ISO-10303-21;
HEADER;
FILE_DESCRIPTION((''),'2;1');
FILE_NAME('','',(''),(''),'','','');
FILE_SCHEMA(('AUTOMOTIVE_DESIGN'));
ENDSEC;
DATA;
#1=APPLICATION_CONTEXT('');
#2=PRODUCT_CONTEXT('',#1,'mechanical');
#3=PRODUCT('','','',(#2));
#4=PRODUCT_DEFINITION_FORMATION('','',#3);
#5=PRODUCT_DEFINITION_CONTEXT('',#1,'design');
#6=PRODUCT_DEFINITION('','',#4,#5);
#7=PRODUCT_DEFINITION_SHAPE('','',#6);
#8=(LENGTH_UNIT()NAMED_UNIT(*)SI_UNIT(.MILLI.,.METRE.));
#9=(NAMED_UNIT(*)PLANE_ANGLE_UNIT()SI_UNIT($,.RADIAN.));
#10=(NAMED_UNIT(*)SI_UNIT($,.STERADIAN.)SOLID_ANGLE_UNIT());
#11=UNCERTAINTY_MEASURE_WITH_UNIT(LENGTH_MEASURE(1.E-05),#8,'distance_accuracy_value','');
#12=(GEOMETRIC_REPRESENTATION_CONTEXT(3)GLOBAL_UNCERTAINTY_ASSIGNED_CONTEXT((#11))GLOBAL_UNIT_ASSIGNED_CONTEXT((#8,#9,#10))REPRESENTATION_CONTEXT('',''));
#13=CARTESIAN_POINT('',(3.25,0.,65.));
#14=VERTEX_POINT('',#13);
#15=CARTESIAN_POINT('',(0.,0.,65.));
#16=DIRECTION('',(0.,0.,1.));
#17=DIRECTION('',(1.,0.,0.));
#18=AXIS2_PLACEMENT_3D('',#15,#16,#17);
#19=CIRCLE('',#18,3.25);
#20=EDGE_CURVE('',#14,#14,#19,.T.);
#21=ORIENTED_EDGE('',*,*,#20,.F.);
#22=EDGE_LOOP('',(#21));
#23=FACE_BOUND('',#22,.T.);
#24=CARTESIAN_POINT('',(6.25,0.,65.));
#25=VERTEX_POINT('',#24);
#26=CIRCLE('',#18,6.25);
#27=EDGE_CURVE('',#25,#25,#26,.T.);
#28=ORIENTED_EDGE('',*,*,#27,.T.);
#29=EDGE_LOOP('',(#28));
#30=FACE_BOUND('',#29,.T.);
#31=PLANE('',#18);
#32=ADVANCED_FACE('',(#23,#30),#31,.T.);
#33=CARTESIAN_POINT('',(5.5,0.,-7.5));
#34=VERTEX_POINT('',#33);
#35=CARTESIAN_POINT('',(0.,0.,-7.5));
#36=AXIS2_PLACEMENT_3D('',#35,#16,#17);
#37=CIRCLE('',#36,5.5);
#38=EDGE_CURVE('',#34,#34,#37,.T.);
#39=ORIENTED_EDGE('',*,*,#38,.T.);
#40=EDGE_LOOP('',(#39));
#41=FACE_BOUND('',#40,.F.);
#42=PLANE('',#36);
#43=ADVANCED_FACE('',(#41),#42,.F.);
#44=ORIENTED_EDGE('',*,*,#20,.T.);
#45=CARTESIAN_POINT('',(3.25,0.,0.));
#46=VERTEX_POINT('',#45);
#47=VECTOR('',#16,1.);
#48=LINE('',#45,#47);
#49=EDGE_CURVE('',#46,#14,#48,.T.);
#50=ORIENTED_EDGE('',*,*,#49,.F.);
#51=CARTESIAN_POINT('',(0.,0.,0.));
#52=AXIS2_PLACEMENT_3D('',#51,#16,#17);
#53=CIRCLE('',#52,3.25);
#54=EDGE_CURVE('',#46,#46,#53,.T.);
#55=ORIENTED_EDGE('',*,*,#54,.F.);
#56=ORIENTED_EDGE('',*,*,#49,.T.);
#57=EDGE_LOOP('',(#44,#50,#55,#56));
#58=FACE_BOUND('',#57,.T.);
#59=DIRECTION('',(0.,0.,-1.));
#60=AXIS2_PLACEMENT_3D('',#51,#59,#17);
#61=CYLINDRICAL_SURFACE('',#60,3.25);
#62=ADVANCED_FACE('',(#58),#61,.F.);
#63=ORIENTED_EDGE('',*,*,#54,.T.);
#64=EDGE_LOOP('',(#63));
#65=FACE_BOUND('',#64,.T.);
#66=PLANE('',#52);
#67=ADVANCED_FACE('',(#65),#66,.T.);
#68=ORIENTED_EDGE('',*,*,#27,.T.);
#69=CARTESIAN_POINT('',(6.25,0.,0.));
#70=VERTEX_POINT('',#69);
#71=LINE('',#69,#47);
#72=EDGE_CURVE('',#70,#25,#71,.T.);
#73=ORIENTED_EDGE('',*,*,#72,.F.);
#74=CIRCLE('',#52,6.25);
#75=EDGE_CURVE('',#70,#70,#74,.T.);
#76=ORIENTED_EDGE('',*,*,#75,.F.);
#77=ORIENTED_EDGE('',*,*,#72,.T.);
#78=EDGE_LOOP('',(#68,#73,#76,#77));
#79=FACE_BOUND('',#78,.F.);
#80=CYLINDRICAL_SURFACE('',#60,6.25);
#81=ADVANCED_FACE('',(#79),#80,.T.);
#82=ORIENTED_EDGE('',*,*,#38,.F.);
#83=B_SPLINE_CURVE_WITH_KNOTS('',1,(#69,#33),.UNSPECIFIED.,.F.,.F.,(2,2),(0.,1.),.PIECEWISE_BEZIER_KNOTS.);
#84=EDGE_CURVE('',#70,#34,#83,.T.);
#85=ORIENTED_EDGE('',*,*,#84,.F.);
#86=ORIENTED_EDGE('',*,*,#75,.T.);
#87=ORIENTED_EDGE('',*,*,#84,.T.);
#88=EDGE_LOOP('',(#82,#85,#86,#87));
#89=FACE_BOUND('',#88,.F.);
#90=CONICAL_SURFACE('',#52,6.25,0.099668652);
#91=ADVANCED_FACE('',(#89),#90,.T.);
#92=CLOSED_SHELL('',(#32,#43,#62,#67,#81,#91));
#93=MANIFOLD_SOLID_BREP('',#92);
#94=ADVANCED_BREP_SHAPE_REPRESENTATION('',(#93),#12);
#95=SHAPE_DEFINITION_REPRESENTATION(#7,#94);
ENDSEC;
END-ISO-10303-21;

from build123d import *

# Parameters (mm, degrees)
F0_R     = 6.25
F3_R     = 5.5
F5_DEPTH = 65
F1_R     = 3.25
F6_DEPTH = 65


with BuildPart() as f4:
    # F0 (on Top) → F4 section 0
    with BuildSketch(Plane.XY):
        Circle(F0_R)
    # F3 (on offset) → F4 section 1
    with BuildSketch(Plane.XY.offset(-7.5)):
        Circle(F3_R)
    loft()

    # F0 (on Top) → F5 (join)
    with BuildSketch(Plane.XY):
        Circle(F0_R)
    extrude(amount=F5_DEPTH)

    # F1 (on Top) → F6 (cut)
    with BuildSketch(Plane.XY):
        Circle(F1_R)
    extrude(amount=F6_DEPTH, mode=Mode.SUBTRACT)


solid = f4.part
